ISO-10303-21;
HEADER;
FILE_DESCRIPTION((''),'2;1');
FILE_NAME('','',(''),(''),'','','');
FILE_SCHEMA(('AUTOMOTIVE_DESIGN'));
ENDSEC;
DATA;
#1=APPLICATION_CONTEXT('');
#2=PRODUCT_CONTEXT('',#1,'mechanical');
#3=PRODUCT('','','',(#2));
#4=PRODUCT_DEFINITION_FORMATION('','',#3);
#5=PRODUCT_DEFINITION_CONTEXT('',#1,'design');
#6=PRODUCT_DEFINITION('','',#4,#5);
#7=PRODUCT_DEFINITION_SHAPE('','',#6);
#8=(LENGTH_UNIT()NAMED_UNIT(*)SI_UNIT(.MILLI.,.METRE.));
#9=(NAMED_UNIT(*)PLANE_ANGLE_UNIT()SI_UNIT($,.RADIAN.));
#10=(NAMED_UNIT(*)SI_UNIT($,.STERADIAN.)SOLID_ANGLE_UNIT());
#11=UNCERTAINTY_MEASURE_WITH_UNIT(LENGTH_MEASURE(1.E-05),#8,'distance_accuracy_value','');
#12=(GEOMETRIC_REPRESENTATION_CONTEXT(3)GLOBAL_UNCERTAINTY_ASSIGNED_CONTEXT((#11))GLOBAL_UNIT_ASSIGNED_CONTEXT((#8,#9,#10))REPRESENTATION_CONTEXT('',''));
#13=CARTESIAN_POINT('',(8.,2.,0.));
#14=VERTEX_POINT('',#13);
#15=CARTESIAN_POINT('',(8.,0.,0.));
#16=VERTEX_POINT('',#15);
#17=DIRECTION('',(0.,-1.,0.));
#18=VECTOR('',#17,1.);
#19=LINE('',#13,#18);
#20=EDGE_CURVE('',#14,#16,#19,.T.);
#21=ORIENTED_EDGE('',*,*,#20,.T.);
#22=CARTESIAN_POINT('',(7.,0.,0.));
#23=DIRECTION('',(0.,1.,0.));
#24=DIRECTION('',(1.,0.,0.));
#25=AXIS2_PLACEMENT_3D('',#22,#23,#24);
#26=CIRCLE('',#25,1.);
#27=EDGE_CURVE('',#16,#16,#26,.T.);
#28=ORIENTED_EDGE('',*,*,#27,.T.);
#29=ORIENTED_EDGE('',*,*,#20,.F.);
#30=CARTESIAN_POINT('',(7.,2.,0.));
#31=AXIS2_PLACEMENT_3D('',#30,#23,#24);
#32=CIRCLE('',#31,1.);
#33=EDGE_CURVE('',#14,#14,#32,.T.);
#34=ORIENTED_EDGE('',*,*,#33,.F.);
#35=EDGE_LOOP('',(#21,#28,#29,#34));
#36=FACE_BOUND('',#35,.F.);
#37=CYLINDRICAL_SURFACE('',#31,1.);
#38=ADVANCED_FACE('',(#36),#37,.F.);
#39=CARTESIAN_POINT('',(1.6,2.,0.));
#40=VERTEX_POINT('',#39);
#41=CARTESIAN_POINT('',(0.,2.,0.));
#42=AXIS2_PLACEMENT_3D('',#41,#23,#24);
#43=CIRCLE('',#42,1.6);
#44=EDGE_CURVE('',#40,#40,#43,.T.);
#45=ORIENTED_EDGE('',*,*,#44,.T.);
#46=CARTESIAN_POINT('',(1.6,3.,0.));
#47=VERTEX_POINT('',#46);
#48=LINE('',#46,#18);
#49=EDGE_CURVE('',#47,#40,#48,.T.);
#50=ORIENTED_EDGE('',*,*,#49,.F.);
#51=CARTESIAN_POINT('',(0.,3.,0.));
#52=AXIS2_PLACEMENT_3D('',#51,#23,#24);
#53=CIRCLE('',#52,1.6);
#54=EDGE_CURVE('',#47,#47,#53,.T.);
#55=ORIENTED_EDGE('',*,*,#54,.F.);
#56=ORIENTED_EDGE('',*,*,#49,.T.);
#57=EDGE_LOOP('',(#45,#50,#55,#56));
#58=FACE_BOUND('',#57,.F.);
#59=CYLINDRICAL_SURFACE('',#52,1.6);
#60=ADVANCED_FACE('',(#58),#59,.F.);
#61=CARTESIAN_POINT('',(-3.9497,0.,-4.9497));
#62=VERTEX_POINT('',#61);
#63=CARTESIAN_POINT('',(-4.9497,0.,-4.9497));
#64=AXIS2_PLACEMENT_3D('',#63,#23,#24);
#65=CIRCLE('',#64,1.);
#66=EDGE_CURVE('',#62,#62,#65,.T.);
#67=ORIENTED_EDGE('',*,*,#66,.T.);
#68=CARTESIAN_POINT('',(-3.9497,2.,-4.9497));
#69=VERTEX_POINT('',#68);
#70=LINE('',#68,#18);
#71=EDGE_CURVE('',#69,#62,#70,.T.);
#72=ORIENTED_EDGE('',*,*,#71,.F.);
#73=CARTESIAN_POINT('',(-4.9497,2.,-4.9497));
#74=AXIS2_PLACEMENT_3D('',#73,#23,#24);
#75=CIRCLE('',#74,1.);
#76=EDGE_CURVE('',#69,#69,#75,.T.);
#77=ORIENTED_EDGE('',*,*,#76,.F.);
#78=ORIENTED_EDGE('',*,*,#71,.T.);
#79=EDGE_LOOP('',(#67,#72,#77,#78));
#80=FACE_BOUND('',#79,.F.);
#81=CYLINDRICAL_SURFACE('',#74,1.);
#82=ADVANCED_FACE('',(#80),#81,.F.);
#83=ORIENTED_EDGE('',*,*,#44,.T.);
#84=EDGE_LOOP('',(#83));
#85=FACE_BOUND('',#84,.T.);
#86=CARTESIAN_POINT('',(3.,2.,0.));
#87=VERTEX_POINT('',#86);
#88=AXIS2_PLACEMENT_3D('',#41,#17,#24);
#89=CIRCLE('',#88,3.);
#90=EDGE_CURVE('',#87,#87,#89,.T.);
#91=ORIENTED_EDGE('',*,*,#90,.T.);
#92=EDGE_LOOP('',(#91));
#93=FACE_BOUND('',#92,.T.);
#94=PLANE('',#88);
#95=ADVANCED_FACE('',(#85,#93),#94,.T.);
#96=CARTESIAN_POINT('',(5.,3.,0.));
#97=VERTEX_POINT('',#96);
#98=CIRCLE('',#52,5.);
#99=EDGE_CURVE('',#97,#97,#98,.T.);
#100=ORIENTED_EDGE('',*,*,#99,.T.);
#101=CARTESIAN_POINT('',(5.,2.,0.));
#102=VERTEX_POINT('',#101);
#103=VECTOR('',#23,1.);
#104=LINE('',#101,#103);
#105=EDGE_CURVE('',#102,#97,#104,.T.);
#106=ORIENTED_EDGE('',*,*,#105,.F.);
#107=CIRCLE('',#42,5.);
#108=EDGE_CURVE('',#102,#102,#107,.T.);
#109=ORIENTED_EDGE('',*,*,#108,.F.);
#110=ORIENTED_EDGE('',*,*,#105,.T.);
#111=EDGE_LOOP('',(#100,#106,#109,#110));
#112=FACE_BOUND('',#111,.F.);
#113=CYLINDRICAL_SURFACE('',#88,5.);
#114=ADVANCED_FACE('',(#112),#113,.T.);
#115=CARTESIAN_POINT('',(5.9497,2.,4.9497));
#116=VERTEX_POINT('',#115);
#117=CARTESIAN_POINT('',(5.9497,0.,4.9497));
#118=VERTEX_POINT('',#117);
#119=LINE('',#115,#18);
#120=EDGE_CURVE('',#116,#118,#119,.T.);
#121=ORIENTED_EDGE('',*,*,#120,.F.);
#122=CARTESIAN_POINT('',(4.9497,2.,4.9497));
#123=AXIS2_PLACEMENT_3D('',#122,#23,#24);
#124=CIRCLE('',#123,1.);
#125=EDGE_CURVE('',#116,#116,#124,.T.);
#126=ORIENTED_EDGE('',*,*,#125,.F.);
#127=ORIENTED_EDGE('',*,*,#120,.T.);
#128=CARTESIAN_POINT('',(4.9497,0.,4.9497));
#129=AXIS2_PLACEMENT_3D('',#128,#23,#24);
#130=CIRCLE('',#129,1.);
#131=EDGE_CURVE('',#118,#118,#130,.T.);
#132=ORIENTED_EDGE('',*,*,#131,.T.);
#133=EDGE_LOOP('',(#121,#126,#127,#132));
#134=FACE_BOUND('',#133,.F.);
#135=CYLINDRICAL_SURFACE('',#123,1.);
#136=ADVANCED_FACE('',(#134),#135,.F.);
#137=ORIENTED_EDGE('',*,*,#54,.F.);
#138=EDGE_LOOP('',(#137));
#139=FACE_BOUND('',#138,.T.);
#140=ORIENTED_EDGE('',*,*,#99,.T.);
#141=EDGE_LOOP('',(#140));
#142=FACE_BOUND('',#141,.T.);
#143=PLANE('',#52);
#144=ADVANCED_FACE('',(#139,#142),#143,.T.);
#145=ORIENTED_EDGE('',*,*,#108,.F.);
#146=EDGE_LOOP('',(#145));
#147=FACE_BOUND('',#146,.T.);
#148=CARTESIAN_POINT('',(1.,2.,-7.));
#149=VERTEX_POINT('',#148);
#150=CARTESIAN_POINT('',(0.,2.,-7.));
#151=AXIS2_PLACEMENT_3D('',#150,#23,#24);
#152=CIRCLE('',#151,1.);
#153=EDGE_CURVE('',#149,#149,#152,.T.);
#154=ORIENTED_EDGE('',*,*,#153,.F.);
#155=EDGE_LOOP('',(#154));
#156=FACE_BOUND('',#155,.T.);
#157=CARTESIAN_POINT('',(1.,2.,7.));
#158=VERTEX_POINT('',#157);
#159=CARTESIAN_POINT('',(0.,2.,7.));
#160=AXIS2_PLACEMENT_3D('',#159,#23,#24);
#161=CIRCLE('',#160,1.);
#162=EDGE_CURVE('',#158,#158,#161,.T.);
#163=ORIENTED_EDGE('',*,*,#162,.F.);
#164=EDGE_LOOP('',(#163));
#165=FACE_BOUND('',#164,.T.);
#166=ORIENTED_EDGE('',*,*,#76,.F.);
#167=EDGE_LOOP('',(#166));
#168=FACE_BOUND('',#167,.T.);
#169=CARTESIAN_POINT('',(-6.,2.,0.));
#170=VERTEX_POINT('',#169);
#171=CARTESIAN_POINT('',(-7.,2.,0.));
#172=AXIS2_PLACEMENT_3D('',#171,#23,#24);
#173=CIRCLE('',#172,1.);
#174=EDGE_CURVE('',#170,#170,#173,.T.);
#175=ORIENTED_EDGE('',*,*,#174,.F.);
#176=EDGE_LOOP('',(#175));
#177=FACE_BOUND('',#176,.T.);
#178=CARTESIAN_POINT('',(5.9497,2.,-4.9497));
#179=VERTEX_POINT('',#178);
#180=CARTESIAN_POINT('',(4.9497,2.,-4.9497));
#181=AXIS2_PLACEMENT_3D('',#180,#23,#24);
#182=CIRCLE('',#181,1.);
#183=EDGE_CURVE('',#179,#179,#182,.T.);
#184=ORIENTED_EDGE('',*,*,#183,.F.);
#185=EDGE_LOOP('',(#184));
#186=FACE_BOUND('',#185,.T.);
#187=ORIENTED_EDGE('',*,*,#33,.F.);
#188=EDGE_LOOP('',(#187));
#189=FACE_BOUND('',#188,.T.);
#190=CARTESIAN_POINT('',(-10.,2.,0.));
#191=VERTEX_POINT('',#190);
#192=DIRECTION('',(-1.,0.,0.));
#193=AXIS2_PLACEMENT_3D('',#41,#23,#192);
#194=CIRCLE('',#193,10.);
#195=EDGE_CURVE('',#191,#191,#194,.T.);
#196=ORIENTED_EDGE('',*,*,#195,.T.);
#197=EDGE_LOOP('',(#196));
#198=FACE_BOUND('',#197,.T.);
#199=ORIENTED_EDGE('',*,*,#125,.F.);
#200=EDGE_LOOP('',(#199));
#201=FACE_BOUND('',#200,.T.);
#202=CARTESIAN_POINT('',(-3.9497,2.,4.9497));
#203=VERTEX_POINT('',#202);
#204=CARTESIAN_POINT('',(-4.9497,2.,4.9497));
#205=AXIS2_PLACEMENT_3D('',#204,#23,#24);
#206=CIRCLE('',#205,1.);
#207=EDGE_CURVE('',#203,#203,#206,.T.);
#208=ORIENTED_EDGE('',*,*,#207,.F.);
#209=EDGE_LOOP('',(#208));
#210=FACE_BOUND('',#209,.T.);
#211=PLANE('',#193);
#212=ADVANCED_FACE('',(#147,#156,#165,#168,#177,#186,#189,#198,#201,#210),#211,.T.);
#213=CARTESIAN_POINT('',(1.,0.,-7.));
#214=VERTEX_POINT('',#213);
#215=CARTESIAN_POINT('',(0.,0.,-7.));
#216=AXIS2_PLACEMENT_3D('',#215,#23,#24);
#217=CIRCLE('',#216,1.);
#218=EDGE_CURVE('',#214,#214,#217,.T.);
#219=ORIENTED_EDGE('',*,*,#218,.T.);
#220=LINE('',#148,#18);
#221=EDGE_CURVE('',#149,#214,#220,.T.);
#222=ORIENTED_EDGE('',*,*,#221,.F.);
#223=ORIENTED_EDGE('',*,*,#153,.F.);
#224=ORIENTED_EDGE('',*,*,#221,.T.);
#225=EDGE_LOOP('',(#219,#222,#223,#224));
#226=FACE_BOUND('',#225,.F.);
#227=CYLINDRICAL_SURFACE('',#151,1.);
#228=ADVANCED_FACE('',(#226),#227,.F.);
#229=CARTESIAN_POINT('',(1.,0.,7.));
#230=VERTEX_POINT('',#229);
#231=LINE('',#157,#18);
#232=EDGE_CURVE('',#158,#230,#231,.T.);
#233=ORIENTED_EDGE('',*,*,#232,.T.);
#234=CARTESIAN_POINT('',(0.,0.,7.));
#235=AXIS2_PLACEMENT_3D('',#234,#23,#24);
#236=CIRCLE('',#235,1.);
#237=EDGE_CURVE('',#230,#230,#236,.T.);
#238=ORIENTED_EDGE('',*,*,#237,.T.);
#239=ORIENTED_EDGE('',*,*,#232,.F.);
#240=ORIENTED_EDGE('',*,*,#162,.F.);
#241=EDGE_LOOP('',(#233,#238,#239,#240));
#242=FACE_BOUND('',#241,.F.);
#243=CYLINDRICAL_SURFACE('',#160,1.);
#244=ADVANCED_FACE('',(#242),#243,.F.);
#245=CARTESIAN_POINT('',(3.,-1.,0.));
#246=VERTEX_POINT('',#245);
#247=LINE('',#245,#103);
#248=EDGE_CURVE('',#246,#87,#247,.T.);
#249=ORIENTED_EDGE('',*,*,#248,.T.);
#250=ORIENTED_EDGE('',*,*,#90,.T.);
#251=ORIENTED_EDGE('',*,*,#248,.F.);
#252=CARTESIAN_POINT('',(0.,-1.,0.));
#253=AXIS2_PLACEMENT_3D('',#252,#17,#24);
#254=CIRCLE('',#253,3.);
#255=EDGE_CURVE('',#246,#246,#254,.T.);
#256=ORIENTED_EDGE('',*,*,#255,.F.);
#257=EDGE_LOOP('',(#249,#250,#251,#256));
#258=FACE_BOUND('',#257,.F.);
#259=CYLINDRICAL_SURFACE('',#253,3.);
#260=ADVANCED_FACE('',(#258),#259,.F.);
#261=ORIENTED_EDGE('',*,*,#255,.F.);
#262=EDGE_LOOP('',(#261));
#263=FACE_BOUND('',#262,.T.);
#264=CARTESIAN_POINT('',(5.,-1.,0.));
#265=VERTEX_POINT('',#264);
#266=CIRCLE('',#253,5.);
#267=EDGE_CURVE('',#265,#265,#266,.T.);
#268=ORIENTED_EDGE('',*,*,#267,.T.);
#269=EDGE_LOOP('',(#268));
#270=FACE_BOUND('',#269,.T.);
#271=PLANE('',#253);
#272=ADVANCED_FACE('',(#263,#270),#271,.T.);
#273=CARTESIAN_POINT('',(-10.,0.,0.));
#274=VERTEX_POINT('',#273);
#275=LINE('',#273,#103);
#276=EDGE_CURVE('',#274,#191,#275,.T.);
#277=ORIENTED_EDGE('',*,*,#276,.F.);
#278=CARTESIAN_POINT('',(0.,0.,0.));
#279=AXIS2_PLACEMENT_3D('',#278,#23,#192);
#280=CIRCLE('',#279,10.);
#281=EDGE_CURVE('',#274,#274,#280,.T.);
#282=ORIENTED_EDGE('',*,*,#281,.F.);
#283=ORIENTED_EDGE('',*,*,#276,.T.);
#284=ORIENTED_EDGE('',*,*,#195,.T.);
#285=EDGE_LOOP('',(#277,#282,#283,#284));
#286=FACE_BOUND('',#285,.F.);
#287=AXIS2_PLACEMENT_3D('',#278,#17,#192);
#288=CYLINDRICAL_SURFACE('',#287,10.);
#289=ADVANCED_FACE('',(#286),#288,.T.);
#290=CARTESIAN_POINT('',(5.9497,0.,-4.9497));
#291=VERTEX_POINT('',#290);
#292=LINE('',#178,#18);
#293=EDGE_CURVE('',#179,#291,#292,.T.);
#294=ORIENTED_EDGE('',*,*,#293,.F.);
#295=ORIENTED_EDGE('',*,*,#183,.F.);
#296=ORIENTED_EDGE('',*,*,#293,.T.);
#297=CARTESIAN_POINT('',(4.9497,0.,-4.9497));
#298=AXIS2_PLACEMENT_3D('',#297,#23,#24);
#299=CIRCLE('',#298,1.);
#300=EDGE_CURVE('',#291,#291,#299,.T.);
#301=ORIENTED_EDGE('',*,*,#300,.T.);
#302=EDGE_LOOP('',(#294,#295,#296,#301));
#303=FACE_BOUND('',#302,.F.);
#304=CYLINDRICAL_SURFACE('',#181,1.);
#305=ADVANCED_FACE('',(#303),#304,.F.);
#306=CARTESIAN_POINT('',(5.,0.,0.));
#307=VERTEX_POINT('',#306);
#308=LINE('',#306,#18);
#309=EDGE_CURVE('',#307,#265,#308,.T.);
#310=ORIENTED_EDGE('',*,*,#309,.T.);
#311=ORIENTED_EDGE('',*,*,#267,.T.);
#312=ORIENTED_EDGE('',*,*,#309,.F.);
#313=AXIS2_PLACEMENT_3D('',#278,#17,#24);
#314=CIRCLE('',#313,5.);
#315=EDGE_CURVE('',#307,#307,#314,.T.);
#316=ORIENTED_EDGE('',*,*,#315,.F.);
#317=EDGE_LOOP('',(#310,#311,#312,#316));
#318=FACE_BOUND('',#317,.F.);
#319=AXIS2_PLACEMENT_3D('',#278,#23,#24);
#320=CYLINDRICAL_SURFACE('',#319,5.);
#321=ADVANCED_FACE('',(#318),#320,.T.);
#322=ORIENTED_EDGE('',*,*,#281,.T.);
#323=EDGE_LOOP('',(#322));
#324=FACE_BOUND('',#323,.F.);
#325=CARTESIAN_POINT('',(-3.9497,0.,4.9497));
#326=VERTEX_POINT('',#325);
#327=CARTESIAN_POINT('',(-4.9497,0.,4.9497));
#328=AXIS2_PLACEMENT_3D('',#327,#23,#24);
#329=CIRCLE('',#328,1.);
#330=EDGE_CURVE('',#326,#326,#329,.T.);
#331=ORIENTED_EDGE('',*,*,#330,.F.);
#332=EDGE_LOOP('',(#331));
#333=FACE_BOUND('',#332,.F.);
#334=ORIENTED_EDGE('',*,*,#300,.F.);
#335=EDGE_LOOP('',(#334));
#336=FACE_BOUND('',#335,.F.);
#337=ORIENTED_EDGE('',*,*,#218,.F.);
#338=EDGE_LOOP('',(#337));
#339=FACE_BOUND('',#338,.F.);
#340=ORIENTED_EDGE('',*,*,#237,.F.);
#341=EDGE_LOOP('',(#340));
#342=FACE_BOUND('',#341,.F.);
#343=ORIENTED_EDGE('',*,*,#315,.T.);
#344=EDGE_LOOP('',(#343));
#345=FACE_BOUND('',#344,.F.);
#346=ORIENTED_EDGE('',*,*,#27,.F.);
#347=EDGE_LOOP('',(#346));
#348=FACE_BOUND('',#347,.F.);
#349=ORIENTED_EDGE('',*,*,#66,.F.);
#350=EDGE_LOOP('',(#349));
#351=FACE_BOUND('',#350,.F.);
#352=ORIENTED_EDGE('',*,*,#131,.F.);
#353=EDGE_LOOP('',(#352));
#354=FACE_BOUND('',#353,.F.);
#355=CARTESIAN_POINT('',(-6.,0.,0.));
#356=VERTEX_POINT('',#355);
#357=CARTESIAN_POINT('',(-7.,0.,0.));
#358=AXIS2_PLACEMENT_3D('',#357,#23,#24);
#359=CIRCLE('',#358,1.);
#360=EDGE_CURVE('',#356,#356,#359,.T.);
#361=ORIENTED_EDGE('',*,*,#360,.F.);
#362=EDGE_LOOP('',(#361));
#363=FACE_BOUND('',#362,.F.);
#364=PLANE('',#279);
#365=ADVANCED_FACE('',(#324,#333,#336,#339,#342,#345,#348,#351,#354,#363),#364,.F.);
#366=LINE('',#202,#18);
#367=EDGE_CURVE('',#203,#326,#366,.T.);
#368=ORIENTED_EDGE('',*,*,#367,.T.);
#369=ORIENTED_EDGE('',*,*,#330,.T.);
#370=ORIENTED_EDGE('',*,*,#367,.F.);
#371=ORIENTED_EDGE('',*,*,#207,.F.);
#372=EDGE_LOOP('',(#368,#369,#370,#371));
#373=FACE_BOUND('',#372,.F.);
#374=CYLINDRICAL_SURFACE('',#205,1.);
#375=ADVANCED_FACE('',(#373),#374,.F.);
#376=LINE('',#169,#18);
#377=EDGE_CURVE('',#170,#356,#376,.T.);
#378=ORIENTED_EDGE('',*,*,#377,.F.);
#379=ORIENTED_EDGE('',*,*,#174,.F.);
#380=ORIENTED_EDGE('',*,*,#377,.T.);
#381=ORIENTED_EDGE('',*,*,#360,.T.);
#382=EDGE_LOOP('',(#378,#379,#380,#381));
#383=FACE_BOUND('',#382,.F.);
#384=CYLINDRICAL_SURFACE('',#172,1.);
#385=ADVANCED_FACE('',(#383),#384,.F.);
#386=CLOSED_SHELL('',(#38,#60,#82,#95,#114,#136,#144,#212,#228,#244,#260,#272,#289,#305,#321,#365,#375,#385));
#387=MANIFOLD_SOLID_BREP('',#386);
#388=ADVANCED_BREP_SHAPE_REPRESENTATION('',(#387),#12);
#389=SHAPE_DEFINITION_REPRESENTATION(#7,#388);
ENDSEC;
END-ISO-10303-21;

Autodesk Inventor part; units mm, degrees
ref_plane "YZ Plane" through (0, 0, 0) normal (1, 0, 0) x (0, 1, 0)
ref_plane "XZ Plane" through (0, 0, 0) normal (0, 1, 0) x (-1, 0, 0)
ref_plane "XY Plane" through (0, 0, 0) normal (0, 0, 1) x (1, 0, 0)
sketch "スケッチ1" plane through (0, 0, 0) normal (0, 1, 0) x (-1, 0, 0)
  circle A0 centre (0, 0) radius 10
  dimension "d0" = 20
extrude "押し出し1" add sketch "スケッチ1" along normal blind 2
sketch "スケッチ2" plane through (0, 2, 0) normal (0, 1, 0) x (1, 0, 0)
  circle A0 centre (0, 0) radius 7 construction
  circle A1 centre (-7, 0) radius 1
  circle A2 centre (-4.9497, -4.9497) radius 1
  circle A3 centre (0, -7) radius 1
  circle A4 centre (4.9497, -4.9497) radius 1
  circle A5 centre (7, 0) radius 1
  circle A6 centre (4.9497, 4.9497) radius 1
  circle A7 centre (-4.9497, 4.9497) radius 1
  circle A8 centre (0, 7) radius 1
  dimension "d3" = 14
  dimension "d4" = 2
  dimension "d5" = 2
  dimension "d6" = 2
  dimension "d7" = 2
  dimension "d8" = 2
  dimension "d9" = 2
  dimension "d10" = 2
  dimension "d11" = 2
extrude "押し出し2" cut sketch "スケッチ2" against normal blind 2
sketch "スケッチ3" plane through (0, 2, 0) normal (0, 1, 0) x (1, 0, 0)
  circle A0 centre (0, 0) radius 5
  dimension "d14" = 10
extrude "押し出し3" add sketch "スケッチ3" along normal blind 1
sketch "スケッチ4" plane through (0, 3, 0) normal (0, 1, 0) x (1, 0, 0)
  circle A0 centre (0, 0) radius 1.6
  dimension "d17" = 3.2
extrude "押し出し4" cut sketch "スケッチ4" against normal blind 1
sketch "スケッチ5" plane through (0, 0, 0) normal (0, -1, 0) x (1, 0, 0)
  circle A0 centre (0, 0) radius 5
  dimension "d20" = 10
extrude "押し出し5" add sketch "スケッチ5" along normal blind 1
sketch "スケッチ6" plane through (0, -1, 0) normal (0, -1, 0) x (1, 0, 0)
  circle A0 centre (0, 0) radius 3
  dimension "d23" = 6
extrude "押し出し6" cut sketch "スケッチ6" against normal blind 3
properties part number "ServoHorn"
